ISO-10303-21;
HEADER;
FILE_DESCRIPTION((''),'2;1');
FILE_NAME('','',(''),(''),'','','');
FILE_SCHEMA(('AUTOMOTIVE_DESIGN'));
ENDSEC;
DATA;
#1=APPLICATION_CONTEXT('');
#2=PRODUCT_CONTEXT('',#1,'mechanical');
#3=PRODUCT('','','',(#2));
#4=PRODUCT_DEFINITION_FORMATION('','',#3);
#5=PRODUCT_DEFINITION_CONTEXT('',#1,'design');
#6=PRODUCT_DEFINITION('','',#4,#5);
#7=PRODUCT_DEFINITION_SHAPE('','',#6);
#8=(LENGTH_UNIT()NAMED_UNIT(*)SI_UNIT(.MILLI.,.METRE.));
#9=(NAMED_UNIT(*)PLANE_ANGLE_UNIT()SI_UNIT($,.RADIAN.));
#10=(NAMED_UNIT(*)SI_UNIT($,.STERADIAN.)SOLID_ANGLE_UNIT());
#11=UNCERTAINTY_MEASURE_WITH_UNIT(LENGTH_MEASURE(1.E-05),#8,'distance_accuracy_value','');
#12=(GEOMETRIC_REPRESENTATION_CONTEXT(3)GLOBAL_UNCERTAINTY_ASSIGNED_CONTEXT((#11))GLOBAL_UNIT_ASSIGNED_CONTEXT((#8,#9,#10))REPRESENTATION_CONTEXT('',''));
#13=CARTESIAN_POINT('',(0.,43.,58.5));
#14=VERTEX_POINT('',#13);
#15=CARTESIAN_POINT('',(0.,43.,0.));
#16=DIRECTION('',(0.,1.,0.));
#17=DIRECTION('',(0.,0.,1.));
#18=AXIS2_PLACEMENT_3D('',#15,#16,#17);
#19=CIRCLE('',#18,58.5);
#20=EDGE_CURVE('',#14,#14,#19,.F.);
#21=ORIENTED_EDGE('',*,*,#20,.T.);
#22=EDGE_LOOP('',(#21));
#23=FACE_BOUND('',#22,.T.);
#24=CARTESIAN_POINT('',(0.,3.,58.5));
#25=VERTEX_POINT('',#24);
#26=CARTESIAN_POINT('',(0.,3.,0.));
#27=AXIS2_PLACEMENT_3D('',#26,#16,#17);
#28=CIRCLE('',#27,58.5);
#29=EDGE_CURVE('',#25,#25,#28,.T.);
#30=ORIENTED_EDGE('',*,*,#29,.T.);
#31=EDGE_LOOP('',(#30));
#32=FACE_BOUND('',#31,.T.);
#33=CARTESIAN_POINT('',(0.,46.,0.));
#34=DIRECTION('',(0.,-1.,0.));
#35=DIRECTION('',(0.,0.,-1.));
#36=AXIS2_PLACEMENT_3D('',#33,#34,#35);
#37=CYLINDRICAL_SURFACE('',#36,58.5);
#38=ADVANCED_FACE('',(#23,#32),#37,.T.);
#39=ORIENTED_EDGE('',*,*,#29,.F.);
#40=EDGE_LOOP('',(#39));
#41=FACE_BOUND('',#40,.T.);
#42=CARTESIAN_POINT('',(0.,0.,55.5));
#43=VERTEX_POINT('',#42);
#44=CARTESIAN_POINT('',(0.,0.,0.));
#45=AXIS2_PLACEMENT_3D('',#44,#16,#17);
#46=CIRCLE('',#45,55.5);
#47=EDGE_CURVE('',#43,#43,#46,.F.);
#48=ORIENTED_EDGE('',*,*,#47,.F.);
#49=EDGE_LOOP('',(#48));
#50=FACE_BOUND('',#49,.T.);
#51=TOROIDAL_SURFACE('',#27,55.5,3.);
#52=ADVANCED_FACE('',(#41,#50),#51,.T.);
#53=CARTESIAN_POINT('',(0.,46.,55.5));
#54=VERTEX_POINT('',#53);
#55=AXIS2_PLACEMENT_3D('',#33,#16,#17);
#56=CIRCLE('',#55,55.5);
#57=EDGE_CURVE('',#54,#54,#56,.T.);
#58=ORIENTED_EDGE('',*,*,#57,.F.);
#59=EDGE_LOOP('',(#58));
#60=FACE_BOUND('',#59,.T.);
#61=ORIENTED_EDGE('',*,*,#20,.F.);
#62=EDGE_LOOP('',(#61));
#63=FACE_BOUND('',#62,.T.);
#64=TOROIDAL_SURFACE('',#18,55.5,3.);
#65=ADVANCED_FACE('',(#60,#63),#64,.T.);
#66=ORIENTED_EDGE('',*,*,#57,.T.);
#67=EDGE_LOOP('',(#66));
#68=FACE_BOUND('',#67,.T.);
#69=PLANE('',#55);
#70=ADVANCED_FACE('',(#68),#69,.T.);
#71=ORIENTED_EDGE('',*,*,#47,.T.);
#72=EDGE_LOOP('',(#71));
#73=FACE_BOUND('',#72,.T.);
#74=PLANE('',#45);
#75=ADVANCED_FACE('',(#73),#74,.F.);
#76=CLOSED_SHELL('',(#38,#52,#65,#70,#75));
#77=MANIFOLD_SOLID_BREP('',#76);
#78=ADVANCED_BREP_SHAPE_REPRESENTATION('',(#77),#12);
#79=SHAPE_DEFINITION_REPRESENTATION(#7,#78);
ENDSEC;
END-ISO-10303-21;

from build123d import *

# Parameters (mm, degrees)
SKETCH_1_R      = 58.5
EXTRUDE_1_DEPTH = 46
FILLET_1_R      = 3


with BuildPart() as part:
    # Эскиз1 → Бобышка-Вытянуть1 (new body)
    with BuildSketch(Plane(origin=(0, 0, 0), x_dir=(1, 0, 0), z_dir=(0, 1, 0))):
        with Locations(Location((0, 0, 0), (0, 0, 270))):
            Circle(SKETCH_1_R)
    extrude(amount=EXTRUDE_1_DEPTH)

    # Скругление1
    fillet_1_edges = [part.edges().sort_by_distance(p)[0] for p in [
        (0, 0, -58.5),
        (0, 46, -58.5),
    ]]
    fillet(fillet_1_edges, radius=FILLET_1_R)


solid = part.part
